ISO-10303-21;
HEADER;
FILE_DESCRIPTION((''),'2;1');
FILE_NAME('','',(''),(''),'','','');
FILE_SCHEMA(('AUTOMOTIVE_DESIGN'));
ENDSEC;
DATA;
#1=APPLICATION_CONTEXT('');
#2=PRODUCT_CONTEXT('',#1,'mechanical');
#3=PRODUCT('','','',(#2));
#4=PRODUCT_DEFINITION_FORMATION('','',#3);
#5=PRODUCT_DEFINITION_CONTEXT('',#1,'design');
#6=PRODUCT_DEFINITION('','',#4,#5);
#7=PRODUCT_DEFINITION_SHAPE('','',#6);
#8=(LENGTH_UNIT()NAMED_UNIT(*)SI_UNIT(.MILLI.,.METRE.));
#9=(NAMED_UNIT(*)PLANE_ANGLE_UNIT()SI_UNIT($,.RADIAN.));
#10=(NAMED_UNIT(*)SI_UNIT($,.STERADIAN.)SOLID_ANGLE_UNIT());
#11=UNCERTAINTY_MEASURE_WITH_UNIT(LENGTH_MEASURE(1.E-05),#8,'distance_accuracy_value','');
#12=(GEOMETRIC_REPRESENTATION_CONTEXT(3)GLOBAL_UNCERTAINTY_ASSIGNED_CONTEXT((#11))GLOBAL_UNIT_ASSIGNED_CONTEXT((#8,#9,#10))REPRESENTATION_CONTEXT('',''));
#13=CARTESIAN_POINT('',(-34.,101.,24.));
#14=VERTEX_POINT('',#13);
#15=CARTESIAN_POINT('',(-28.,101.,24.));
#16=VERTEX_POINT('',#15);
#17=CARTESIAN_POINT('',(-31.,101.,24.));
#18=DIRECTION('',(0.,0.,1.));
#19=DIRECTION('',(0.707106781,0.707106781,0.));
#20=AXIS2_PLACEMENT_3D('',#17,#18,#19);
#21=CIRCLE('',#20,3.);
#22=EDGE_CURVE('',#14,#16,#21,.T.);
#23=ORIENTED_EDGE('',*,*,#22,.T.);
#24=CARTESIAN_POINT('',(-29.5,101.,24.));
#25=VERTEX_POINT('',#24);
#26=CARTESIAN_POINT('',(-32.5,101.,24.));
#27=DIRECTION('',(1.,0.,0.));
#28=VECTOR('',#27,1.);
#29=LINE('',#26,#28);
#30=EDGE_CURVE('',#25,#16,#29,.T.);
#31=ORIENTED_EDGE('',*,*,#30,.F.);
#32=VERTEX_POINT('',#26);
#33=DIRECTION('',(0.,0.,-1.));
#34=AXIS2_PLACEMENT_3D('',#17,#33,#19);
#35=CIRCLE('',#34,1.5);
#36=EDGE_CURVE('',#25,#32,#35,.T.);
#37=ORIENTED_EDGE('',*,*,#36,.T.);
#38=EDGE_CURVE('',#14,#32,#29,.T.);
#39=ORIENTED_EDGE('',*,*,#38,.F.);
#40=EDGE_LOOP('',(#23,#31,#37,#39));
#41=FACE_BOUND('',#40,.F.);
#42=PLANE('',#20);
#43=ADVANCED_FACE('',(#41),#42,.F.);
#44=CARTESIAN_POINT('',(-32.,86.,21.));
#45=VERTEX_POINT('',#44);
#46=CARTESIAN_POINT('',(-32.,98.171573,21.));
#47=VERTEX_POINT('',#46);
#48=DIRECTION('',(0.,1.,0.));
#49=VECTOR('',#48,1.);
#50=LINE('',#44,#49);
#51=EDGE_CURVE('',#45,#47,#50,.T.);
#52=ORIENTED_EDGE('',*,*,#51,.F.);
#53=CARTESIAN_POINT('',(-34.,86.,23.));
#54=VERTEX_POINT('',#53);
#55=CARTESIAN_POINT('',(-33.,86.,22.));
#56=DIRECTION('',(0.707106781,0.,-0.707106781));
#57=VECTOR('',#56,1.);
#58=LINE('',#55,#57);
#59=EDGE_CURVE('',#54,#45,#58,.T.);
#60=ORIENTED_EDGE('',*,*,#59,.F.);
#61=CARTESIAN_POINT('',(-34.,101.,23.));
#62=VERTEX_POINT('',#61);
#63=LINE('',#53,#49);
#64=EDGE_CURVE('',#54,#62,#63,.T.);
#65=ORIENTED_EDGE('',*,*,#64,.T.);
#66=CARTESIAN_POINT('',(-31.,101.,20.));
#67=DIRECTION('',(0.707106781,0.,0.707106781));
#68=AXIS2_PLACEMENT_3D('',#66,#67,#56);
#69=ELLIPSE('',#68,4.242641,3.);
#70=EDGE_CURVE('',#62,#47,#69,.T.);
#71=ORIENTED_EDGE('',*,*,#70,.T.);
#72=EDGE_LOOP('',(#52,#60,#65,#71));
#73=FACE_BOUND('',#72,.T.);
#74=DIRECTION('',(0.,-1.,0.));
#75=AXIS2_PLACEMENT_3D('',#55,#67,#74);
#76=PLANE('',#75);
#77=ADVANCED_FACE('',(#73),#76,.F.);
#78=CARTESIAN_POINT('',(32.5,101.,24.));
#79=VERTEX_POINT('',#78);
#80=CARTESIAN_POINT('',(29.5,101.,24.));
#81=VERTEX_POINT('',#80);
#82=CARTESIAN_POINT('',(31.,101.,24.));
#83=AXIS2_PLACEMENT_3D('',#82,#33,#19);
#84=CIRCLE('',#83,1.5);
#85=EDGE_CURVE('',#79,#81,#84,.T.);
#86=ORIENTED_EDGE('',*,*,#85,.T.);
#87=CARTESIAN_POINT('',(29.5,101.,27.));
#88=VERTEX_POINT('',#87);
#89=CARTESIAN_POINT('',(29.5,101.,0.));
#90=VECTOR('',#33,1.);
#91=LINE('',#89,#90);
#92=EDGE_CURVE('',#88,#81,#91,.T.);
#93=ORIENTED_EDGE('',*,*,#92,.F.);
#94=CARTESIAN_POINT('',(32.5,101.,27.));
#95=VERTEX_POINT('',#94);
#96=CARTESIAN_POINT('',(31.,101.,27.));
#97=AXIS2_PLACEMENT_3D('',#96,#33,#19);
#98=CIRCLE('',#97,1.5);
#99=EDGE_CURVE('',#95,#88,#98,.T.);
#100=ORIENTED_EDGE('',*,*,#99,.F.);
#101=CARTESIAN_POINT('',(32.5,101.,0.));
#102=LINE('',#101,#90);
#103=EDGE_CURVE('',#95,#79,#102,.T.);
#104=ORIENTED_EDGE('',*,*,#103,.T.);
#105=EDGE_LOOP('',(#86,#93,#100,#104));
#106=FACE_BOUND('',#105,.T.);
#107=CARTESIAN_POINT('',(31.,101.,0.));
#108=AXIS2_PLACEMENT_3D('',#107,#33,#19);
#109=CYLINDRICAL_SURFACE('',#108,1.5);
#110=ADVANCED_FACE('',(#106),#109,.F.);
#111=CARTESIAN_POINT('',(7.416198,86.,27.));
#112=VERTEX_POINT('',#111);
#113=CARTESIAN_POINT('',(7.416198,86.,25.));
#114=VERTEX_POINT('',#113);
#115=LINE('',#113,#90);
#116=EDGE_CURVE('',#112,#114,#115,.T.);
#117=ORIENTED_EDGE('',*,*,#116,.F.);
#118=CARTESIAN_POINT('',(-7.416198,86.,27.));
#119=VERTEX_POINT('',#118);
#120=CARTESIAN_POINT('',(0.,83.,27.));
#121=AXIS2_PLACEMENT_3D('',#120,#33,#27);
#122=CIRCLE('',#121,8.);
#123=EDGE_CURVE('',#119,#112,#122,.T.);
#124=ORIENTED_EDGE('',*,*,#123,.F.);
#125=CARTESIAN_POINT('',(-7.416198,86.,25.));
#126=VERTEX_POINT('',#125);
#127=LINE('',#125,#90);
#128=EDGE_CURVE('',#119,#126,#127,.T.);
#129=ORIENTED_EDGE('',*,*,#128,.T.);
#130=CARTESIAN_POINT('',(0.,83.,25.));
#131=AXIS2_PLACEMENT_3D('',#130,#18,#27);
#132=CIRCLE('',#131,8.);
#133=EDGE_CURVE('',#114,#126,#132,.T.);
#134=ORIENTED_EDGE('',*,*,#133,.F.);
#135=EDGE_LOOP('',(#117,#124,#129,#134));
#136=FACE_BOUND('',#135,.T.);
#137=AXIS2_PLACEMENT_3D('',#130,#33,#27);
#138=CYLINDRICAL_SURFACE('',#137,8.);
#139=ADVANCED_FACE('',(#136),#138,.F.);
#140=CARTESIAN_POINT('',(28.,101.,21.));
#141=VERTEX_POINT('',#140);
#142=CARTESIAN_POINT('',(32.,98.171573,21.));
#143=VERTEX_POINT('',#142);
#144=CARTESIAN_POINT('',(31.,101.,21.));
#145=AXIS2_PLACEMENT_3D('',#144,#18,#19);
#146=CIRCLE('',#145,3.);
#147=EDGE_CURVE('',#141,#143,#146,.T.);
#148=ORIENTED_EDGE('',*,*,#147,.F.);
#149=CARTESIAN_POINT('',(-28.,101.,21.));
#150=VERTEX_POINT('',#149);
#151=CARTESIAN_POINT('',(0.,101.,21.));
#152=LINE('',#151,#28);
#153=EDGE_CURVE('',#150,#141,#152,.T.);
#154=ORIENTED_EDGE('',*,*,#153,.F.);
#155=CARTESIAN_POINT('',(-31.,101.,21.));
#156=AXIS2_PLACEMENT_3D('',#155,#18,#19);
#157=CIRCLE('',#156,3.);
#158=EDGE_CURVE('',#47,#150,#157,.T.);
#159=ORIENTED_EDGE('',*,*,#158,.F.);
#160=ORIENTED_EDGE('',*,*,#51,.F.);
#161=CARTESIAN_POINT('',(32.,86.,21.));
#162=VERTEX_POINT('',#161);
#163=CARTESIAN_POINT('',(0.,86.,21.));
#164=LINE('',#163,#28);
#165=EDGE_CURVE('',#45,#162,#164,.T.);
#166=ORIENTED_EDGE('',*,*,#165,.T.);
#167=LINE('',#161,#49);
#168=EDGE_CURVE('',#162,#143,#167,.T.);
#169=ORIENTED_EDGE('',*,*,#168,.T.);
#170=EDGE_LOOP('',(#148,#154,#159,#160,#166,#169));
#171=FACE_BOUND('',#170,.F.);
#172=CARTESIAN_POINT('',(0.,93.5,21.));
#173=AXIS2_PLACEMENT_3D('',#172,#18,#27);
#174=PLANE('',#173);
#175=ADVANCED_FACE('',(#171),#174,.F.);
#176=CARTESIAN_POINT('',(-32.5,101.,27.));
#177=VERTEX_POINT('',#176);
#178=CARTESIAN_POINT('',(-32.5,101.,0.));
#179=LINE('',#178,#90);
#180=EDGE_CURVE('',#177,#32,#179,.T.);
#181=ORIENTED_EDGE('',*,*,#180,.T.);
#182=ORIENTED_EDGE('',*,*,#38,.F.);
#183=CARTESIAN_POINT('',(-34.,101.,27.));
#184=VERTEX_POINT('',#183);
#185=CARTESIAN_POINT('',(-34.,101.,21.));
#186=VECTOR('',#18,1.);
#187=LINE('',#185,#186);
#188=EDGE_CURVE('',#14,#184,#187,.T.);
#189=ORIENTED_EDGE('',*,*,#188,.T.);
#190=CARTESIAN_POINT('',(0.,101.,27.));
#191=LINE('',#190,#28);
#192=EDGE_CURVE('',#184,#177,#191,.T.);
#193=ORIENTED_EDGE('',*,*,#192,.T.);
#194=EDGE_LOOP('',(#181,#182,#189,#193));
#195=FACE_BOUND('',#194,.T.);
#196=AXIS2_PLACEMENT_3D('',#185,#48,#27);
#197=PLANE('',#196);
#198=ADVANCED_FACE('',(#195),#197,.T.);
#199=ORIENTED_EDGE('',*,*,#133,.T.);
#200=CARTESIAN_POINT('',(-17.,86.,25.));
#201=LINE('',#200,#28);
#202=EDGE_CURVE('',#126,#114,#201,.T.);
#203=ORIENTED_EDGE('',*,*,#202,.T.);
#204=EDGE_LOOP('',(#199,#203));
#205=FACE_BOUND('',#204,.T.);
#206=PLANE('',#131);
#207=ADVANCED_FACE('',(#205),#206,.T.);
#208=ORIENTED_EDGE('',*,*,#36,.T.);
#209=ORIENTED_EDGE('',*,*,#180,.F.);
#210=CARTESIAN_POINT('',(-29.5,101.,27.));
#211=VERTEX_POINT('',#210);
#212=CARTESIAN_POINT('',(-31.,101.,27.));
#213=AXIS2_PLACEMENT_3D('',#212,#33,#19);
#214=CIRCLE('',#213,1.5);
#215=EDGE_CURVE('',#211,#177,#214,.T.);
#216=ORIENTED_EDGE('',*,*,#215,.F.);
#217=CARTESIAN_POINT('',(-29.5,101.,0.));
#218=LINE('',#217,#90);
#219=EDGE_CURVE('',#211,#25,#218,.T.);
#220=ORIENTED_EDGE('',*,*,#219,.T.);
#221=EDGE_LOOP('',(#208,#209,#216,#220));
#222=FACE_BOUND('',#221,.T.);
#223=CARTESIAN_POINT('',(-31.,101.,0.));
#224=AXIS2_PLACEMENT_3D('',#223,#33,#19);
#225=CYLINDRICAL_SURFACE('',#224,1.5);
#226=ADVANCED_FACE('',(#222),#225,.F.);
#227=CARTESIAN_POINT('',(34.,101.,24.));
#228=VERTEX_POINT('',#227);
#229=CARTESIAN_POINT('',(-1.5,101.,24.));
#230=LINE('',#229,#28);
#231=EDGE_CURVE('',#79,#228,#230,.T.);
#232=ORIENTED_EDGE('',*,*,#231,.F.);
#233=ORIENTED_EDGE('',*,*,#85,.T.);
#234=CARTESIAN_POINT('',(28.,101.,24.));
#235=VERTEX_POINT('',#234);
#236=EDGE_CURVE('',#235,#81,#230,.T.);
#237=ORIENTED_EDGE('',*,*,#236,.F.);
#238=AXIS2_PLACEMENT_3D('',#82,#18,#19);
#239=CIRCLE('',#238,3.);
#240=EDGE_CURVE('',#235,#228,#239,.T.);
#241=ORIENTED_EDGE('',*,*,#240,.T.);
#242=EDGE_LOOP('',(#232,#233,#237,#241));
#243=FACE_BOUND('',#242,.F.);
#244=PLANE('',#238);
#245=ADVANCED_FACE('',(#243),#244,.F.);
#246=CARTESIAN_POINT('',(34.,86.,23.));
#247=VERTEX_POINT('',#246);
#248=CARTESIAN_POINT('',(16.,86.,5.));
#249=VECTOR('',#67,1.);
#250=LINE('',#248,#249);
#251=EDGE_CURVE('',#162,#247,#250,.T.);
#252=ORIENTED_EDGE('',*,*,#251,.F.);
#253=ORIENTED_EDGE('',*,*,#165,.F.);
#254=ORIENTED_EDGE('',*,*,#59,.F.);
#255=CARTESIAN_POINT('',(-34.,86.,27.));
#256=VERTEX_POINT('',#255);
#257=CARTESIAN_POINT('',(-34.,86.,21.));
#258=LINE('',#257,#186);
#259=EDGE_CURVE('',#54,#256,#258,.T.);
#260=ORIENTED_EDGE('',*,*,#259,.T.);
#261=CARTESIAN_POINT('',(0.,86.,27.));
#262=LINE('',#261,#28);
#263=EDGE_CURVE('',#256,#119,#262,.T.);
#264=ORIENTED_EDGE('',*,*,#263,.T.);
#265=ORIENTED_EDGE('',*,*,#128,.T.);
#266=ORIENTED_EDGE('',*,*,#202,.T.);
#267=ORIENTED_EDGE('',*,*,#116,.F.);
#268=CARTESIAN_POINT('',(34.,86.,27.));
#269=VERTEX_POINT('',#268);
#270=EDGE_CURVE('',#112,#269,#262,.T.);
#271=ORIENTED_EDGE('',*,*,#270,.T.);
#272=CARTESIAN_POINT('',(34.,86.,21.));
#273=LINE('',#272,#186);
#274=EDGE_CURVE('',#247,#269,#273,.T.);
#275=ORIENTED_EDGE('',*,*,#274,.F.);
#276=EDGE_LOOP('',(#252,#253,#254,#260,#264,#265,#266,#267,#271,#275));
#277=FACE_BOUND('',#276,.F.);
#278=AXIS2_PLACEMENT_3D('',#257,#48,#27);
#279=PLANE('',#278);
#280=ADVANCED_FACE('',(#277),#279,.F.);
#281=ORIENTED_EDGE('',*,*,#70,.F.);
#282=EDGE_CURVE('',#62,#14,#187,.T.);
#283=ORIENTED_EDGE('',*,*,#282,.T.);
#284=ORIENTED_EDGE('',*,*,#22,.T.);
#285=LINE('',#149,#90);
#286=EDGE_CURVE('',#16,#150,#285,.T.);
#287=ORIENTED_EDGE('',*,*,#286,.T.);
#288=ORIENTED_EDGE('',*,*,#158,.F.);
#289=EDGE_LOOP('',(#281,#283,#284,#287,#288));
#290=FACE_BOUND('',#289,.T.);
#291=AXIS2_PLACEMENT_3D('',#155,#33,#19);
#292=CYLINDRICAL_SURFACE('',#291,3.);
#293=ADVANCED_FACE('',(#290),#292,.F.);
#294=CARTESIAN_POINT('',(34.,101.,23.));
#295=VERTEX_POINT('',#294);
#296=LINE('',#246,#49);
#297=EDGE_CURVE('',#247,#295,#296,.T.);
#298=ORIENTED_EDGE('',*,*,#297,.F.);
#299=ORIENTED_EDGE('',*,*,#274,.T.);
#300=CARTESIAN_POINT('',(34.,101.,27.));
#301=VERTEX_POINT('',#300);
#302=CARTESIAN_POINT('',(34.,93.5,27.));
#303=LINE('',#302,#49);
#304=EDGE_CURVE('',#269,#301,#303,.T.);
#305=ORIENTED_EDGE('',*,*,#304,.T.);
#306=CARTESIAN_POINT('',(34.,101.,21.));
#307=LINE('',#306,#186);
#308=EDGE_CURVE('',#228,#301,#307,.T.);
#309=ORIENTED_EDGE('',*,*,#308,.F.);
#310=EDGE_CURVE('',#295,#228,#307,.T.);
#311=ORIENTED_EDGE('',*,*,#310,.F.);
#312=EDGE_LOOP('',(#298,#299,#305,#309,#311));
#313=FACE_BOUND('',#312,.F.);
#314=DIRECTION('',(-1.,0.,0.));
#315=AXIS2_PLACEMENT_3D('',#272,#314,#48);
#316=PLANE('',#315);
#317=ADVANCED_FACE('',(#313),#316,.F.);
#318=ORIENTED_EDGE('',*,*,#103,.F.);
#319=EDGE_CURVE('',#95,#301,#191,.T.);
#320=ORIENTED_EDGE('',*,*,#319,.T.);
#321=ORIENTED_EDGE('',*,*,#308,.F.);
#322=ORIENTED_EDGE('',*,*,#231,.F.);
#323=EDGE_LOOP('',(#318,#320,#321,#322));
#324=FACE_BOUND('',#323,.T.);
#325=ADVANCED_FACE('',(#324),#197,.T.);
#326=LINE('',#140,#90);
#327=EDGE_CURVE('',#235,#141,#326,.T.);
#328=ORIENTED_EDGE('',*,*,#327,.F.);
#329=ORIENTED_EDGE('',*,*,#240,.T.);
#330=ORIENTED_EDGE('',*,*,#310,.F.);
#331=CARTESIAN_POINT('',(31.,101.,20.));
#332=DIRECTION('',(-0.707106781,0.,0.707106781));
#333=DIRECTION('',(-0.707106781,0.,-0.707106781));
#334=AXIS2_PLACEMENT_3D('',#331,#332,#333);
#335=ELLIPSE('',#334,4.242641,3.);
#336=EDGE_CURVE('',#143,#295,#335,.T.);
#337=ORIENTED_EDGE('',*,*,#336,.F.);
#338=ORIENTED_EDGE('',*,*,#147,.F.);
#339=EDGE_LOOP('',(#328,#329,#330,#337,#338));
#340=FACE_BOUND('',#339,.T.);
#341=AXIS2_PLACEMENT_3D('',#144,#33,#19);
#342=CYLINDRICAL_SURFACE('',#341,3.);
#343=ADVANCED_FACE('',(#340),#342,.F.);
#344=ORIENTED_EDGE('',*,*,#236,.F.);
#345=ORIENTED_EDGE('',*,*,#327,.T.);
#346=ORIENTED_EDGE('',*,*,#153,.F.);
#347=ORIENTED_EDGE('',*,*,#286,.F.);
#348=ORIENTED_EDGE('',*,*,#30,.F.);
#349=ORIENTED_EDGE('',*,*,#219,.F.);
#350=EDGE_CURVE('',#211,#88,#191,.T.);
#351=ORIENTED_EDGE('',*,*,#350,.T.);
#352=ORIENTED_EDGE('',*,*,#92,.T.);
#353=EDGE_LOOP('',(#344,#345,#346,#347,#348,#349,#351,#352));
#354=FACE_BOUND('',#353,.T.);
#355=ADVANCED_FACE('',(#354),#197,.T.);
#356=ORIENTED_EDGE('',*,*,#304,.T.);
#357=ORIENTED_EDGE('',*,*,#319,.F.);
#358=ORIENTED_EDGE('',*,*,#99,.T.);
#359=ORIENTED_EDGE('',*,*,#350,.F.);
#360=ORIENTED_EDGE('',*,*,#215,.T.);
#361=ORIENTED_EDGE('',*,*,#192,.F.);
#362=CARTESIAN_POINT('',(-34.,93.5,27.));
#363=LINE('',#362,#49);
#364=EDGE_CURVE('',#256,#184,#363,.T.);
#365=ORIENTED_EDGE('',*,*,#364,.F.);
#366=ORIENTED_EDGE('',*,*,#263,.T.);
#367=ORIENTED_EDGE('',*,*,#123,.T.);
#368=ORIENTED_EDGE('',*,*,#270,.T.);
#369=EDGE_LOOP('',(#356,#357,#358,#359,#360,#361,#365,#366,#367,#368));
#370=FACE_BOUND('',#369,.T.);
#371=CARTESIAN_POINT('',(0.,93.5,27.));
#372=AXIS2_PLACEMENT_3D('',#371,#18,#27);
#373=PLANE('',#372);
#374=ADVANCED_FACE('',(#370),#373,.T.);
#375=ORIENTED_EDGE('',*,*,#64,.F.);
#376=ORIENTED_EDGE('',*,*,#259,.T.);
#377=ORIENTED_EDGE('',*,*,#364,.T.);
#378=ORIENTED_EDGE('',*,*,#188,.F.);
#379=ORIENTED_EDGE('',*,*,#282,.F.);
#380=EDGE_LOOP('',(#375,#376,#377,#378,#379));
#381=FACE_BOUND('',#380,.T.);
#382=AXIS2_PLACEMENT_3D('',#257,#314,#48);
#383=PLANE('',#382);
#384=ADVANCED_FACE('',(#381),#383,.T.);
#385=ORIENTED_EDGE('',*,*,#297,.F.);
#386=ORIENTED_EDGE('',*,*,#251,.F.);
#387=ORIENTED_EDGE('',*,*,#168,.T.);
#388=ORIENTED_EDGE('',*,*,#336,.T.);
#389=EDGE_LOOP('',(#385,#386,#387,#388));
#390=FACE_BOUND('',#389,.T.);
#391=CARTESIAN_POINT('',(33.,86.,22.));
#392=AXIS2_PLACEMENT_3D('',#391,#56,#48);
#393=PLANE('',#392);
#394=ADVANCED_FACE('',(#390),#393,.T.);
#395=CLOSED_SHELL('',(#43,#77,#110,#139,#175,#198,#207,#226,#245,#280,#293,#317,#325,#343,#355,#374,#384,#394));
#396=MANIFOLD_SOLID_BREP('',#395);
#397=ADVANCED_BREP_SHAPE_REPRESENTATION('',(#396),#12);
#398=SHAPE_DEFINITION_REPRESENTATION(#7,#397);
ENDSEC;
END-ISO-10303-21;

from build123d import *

# Parameters (mm, degrees)
CYLINDER2097_R               = 1.5
CYLINDER2097_DEPTH           = 50
CYLINDER2097_PLACEMENT_ANGLE = 45
CYLINDER2083_R               = 1.5
CYLINDER2083_DEPTH           = 50
CYLINDER2083_PLACEMENT_ANGLE = 45
CYLINDER2096_R               = 1.5
CYLINDER2096_DEPTH           = 50
CYLINDER2096_PLACEMENT_ANGLE = 45
CYLINDER2092_R               = 1.5
CYLINDER2092_DEPTH           = 50
CYLINDER2092_PLACEMENT_ANGLE = 45
CYLINDER2095_R               = 1.5
CYLINDER2095_DEPTH           = 50
CYLINDER2095_PLACEMENT_ANGLE = 45
CYLINDER2094_R               = 1.5
CYLINDER2094_DEPTH           = 50
CYLINDER2094_PLACEMENT_ANGLE = 45
CYLINDER2076_R               = 3
CYLINDER2076_DEPTH           = 3
CYLINDER2076_PLACEMENT_ANGLE = 45
CYLINDER2065_R               = 3
CYLINDER2065_DEPTH           = 3
CYLINDER2065_PLACEMENT_ANGLE = 45
CYLINDER2074_R               = 3
CYLINDER2074_DEPTH           = 3
CYLINDER2074_PLACEMENT_ANGLE = 45
CYLINDER2064_R               = 3
CYLINDER2064_DEPTH           = 3
CYLINDER2064_PLACEMENT_ANGLE = 45
CYLINDER2063_R               = 3
CYLINDER2063_DEPTH           = 3
CYLINDER2063_PLACEMENT_ANGLE = 45
CYLINDER2070_R               = 3
CYLINDER2070_DEPTH           = 3
CYLINDER2070_PLACEMENT_ANGLE = 45
CYLINDER2071_R               = 8
CYLINDER2071_DEPTH           = 6
BOX989_W                     = 68
BOX989_H                     = 15
BOX989_DEPTH                 = 6
CHAMFER081_SIZE              = 2


with BuildPart() as v_lec2097:
    # Cylinder2097 → Cylinder2097 (new body)
    with BuildSketch(Plane.XY):
        Circle(CYLINDER2097_R)
    extrude(amount=CYLINDER2097_DEPTH)


with BuildPart() as v_lec2097_1:
    # Cylinder2097 placement: moved
    add(v_lec2097.part.moved(Location((20, 137, 0))).rotate(Axis((20, 137, 0), (0, 0, 1)), CYLINDER2097_PLACEMENT_ANGLE))


with BuildPart() as compound1087:
    # Cylinder2083 → Cylinder2083 (new body)
    with BuildSketch(Plane.XY):
        Circle(CYLINDER2083_R)
    extrude(amount=CYLINDER2083_DEPTH)


with BuildPart() as compound1087_1:
    # Cylinder2083 placement: moved
    add(compound1087.part.moved(Location((-20, 137, 0))).rotate(Axis((-20, 137, 0), (0, 0, 1)), CYLINDER2083_PLACEMENT_ANGLE))

    # Compound1087: union Válec2097
    add(v_lec2097_1.part)


with BuildPart() as v_lec2096:
    # Cylinder2096 → Cylinder2096 (new body)
    with BuildSketch(Plane.XY):
        Circle(CYLINDER2096_R)
    extrude(amount=CYLINDER2096_DEPTH)


with BuildPart() as v_lec2096_1:
    # Cylinder2096 placement: moved
    add(v_lec2096.part.moved(Location((31, 131, 0))).rotate(Axis((31, 131, 0), (0, 0, 1)), CYLINDER2096_PLACEMENT_ANGLE))


with BuildPart() as compound1088:
    # Cylinder2092 → Cylinder2092 (new body)
    with BuildSketch(Plane.XY):
        Circle(CYLINDER2092_R)
    extrude(amount=CYLINDER2092_DEPTH)


with BuildPart() as compound1088_1:
    # Cylinder2092 placement: moved
    add(compound1088.part.moved(Location((-31, 131, 0))).rotate(Axis((-31, 131, 0), (0, 0, 1)), CYLINDER2092_PLACEMENT_ANGLE))

    # Compound1088: union Válec2096
    add(v_lec2096_1.part)


with BuildPart() as v_lec2095:
    # Cylinder2095 → Cylinder2095 (new body)
    with BuildSketch(Plane.XY):
        Circle(CYLINDER2095_R)
    extrude(amount=CYLINDER2095_DEPTH)


with BuildPart() as v_lec2095_1:
    # Cylinder2095 placement: moved
    add(v_lec2095.part.moved(Location((31, 101, 0))).rotate(Axis((31, 101, 0), (0, 0, 1)), CYLINDER2095_PLACEMENT_ANGLE))


with BuildPart() as compound1110:
    # Cylinder2094 → Cylinder2094 (new body)
    with BuildSketch(Plane.XY):
        Circle(CYLINDER2094_R)
    extrude(amount=CYLINDER2094_DEPTH)


with BuildPart() as compound1110_1:
    # Cylinder2094 placement: moved
    add(compound1110.part.moved(Location((-31, 101, 0))).rotate(Axis((-31, 101, 0), (0, 0, 1)), CYLINDER2094_PLACEMENT_ANGLE))

    # Compound1112: union Válec2095
    add(v_lec2095_1.part)

    # Compound1110: union Compound1087, Compound1088
    add(compound1087_1.part)
    add(compound1088_1.part)


with BuildPart() as v_lec2076:
    # Cylinder2076 → Cylinder2076 (new body)
    with BuildSketch(Plane.XY):
        Circle(CYLINDER2076_R)
    extrude(amount=CYLINDER2076_DEPTH)


with BuildPart() as v_lec2076_1:
    # Cylinder2076 placement: moved
    add(v_lec2076.part.moved(Location((31, 131, 0))).rotate(Axis((31, 131, 0), (0, 0, 1)), CYLINDER2076_PLACEMENT_ANGLE))


with BuildPart() as compound1099:
    # Cylinder2065 → Cylinder2065 (new body)
    with BuildSketch(Plane.XY):
        Circle(CYLINDER2065_R)
    extrude(amount=CYLINDER2065_DEPTH)


with BuildPart() as compound1099_1:
    # Cylinder2065 placement: moved
    add(compound1099.part.moved(Location((-31, 131, 0))).rotate(Axis((-31, 131, 0), (0, 0, 1)), CYLINDER2065_PLACEMENT_ANGLE))

    # Compound1099: union Válec2076
    add(v_lec2076_1.part)


with BuildPart() as compound1099_2:
    # Compound1099 placement: moved
    add(compound1099_1.part.moved(Location((0, 0, 25))))


with BuildPart() as v_lec2074:
    # Cylinder2074 → Cylinder2074 (new body)
    with BuildSketch(Plane.XY):
        Circle(CYLINDER2074_R)
    extrude(amount=CYLINDER2074_DEPTH)


with BuildPart() as v_lec2074_1:
    # Cylinder2074 placement: moved
    add(v_lec2074.part.moved(Location((31, 101, 0))).rotate(Axis((31, 101, 0), (0, 0, 1)), CYLINDER2074_PLACEMENT_ANGLE))


with BuildPart() as compound1091:
    # Cylinder2064 → Cylinder2064 (new body)
    with BuildSketch(Plane.XY):
        Circle(CYLINDER2064_R)
    extrude(amount=CYLINDER2064_DEPTH)


with BuildPart() as compound1091_1:
    # Cylinder2064 placement: moved
    add(compound1091.part.moved(Location((-31, 101, 0))).rotate(Axis((-31, 101, 0), (0, 0, 1)), CYLINDER2064_PLACEMENT_ANGLE))

    # Compound1091: union Válec2074
    add(v_lec2074_1.part)


with BuildPart() as compound1091_2:
    # Compound1091 placement: moved
    add(compound1091_1.part.moved(Location((0, 0, 21))))


with BuildPart() as v_lec2063:
    # Cylinder2063 → Cylinder2063 (new body)
    with BuildSketch(Plane.XY):
        Circle(CYLINDER2063_R)
    extrude(amount=CYLINDER2063_DEPTH)


with BuildPart() as v_lec2063_1:
    # Cylinder2063 placement: moved
    add(v_lec2063.part.moved(Location((20, 137, 0))).rotate(Axis((20, 137, 0), (0, 0, 1)), CYLINDER2063_PLACEMENT_ANGLE))


with BuildPart() as compound1096:
    # Cylinder2070 → Cylinder2070 (new body)
    with BuildSketch(Plane.XY):
        Circle(CYLINDER2070_R)
    extrude(amount=CYLINDER2070_DEPTH)


with BuildPart() as compound1096_1:
    # Cylinder2070 placement: moved
    add(compound1096.part.moved(Location((-20, 137, 0))).rotate(Axis((-20, 137, 0), (0, 0, 1)), CYLINDER2070_PLACEMENT_ANGLE))

    # Compound1097: union Válec2063
    add(v_lec2063_1.part)


with BuildPart() as compound1096_2:
    # Compound1097 placement: moved
    add(compound1096_1.part.moved(Location((0, 0, 25))))

    # Compound1096: union Compound1099, Compound1091
    add(compound1099_2.part)
    add(compound1091_2.part)


with BuildPart() as v_lec2071:
    # Cylinder2071 → Cylinder2071 (new body)
    with BuildSketch(Plane(origin=(0, 83, 25), x_dir=(1, 0, 0), z_dir=(0, 0, 1))):
        Circle(CYLINDER2071_R)
    extrude(amount=CYLINDER2071_DEPTH)


with BuildPart() as cut690:
    # Box989 → Box989 (new body)
    with BuildSketch(Plane(origin=(-34, 86, 21), x_dir=(1, 0, 0), z_dir=(0, 0, 1))):
        with Locations((34, 7.5)):
            Rectangle(BOX989_W, BOX989_H)
    extrude(amount=BOX989_DEPTH)

    # Cut702: cut Válec2071
    add(v_lec2071.part, mode=Mode.SUBTRACT)

    # Cut700: cut Compound1096
    add(compound1096_2.part, mode=Mode.SUBTRACT)

    # Chamfer081
    chamfer081_edges = [cut690.edges().sort_by_distance(p)[0] for p in [
        (-34, 93.5, 21),
        (34, 93.5, 21),
    ]]
    chamfer(chamfer081_edges, length=CHAMFER081_SIZE)

    # Cut690: cut Compound1110
    add(compound1110_1.part, mode=Mode.SUBTRACT)


solid = cut690.part
